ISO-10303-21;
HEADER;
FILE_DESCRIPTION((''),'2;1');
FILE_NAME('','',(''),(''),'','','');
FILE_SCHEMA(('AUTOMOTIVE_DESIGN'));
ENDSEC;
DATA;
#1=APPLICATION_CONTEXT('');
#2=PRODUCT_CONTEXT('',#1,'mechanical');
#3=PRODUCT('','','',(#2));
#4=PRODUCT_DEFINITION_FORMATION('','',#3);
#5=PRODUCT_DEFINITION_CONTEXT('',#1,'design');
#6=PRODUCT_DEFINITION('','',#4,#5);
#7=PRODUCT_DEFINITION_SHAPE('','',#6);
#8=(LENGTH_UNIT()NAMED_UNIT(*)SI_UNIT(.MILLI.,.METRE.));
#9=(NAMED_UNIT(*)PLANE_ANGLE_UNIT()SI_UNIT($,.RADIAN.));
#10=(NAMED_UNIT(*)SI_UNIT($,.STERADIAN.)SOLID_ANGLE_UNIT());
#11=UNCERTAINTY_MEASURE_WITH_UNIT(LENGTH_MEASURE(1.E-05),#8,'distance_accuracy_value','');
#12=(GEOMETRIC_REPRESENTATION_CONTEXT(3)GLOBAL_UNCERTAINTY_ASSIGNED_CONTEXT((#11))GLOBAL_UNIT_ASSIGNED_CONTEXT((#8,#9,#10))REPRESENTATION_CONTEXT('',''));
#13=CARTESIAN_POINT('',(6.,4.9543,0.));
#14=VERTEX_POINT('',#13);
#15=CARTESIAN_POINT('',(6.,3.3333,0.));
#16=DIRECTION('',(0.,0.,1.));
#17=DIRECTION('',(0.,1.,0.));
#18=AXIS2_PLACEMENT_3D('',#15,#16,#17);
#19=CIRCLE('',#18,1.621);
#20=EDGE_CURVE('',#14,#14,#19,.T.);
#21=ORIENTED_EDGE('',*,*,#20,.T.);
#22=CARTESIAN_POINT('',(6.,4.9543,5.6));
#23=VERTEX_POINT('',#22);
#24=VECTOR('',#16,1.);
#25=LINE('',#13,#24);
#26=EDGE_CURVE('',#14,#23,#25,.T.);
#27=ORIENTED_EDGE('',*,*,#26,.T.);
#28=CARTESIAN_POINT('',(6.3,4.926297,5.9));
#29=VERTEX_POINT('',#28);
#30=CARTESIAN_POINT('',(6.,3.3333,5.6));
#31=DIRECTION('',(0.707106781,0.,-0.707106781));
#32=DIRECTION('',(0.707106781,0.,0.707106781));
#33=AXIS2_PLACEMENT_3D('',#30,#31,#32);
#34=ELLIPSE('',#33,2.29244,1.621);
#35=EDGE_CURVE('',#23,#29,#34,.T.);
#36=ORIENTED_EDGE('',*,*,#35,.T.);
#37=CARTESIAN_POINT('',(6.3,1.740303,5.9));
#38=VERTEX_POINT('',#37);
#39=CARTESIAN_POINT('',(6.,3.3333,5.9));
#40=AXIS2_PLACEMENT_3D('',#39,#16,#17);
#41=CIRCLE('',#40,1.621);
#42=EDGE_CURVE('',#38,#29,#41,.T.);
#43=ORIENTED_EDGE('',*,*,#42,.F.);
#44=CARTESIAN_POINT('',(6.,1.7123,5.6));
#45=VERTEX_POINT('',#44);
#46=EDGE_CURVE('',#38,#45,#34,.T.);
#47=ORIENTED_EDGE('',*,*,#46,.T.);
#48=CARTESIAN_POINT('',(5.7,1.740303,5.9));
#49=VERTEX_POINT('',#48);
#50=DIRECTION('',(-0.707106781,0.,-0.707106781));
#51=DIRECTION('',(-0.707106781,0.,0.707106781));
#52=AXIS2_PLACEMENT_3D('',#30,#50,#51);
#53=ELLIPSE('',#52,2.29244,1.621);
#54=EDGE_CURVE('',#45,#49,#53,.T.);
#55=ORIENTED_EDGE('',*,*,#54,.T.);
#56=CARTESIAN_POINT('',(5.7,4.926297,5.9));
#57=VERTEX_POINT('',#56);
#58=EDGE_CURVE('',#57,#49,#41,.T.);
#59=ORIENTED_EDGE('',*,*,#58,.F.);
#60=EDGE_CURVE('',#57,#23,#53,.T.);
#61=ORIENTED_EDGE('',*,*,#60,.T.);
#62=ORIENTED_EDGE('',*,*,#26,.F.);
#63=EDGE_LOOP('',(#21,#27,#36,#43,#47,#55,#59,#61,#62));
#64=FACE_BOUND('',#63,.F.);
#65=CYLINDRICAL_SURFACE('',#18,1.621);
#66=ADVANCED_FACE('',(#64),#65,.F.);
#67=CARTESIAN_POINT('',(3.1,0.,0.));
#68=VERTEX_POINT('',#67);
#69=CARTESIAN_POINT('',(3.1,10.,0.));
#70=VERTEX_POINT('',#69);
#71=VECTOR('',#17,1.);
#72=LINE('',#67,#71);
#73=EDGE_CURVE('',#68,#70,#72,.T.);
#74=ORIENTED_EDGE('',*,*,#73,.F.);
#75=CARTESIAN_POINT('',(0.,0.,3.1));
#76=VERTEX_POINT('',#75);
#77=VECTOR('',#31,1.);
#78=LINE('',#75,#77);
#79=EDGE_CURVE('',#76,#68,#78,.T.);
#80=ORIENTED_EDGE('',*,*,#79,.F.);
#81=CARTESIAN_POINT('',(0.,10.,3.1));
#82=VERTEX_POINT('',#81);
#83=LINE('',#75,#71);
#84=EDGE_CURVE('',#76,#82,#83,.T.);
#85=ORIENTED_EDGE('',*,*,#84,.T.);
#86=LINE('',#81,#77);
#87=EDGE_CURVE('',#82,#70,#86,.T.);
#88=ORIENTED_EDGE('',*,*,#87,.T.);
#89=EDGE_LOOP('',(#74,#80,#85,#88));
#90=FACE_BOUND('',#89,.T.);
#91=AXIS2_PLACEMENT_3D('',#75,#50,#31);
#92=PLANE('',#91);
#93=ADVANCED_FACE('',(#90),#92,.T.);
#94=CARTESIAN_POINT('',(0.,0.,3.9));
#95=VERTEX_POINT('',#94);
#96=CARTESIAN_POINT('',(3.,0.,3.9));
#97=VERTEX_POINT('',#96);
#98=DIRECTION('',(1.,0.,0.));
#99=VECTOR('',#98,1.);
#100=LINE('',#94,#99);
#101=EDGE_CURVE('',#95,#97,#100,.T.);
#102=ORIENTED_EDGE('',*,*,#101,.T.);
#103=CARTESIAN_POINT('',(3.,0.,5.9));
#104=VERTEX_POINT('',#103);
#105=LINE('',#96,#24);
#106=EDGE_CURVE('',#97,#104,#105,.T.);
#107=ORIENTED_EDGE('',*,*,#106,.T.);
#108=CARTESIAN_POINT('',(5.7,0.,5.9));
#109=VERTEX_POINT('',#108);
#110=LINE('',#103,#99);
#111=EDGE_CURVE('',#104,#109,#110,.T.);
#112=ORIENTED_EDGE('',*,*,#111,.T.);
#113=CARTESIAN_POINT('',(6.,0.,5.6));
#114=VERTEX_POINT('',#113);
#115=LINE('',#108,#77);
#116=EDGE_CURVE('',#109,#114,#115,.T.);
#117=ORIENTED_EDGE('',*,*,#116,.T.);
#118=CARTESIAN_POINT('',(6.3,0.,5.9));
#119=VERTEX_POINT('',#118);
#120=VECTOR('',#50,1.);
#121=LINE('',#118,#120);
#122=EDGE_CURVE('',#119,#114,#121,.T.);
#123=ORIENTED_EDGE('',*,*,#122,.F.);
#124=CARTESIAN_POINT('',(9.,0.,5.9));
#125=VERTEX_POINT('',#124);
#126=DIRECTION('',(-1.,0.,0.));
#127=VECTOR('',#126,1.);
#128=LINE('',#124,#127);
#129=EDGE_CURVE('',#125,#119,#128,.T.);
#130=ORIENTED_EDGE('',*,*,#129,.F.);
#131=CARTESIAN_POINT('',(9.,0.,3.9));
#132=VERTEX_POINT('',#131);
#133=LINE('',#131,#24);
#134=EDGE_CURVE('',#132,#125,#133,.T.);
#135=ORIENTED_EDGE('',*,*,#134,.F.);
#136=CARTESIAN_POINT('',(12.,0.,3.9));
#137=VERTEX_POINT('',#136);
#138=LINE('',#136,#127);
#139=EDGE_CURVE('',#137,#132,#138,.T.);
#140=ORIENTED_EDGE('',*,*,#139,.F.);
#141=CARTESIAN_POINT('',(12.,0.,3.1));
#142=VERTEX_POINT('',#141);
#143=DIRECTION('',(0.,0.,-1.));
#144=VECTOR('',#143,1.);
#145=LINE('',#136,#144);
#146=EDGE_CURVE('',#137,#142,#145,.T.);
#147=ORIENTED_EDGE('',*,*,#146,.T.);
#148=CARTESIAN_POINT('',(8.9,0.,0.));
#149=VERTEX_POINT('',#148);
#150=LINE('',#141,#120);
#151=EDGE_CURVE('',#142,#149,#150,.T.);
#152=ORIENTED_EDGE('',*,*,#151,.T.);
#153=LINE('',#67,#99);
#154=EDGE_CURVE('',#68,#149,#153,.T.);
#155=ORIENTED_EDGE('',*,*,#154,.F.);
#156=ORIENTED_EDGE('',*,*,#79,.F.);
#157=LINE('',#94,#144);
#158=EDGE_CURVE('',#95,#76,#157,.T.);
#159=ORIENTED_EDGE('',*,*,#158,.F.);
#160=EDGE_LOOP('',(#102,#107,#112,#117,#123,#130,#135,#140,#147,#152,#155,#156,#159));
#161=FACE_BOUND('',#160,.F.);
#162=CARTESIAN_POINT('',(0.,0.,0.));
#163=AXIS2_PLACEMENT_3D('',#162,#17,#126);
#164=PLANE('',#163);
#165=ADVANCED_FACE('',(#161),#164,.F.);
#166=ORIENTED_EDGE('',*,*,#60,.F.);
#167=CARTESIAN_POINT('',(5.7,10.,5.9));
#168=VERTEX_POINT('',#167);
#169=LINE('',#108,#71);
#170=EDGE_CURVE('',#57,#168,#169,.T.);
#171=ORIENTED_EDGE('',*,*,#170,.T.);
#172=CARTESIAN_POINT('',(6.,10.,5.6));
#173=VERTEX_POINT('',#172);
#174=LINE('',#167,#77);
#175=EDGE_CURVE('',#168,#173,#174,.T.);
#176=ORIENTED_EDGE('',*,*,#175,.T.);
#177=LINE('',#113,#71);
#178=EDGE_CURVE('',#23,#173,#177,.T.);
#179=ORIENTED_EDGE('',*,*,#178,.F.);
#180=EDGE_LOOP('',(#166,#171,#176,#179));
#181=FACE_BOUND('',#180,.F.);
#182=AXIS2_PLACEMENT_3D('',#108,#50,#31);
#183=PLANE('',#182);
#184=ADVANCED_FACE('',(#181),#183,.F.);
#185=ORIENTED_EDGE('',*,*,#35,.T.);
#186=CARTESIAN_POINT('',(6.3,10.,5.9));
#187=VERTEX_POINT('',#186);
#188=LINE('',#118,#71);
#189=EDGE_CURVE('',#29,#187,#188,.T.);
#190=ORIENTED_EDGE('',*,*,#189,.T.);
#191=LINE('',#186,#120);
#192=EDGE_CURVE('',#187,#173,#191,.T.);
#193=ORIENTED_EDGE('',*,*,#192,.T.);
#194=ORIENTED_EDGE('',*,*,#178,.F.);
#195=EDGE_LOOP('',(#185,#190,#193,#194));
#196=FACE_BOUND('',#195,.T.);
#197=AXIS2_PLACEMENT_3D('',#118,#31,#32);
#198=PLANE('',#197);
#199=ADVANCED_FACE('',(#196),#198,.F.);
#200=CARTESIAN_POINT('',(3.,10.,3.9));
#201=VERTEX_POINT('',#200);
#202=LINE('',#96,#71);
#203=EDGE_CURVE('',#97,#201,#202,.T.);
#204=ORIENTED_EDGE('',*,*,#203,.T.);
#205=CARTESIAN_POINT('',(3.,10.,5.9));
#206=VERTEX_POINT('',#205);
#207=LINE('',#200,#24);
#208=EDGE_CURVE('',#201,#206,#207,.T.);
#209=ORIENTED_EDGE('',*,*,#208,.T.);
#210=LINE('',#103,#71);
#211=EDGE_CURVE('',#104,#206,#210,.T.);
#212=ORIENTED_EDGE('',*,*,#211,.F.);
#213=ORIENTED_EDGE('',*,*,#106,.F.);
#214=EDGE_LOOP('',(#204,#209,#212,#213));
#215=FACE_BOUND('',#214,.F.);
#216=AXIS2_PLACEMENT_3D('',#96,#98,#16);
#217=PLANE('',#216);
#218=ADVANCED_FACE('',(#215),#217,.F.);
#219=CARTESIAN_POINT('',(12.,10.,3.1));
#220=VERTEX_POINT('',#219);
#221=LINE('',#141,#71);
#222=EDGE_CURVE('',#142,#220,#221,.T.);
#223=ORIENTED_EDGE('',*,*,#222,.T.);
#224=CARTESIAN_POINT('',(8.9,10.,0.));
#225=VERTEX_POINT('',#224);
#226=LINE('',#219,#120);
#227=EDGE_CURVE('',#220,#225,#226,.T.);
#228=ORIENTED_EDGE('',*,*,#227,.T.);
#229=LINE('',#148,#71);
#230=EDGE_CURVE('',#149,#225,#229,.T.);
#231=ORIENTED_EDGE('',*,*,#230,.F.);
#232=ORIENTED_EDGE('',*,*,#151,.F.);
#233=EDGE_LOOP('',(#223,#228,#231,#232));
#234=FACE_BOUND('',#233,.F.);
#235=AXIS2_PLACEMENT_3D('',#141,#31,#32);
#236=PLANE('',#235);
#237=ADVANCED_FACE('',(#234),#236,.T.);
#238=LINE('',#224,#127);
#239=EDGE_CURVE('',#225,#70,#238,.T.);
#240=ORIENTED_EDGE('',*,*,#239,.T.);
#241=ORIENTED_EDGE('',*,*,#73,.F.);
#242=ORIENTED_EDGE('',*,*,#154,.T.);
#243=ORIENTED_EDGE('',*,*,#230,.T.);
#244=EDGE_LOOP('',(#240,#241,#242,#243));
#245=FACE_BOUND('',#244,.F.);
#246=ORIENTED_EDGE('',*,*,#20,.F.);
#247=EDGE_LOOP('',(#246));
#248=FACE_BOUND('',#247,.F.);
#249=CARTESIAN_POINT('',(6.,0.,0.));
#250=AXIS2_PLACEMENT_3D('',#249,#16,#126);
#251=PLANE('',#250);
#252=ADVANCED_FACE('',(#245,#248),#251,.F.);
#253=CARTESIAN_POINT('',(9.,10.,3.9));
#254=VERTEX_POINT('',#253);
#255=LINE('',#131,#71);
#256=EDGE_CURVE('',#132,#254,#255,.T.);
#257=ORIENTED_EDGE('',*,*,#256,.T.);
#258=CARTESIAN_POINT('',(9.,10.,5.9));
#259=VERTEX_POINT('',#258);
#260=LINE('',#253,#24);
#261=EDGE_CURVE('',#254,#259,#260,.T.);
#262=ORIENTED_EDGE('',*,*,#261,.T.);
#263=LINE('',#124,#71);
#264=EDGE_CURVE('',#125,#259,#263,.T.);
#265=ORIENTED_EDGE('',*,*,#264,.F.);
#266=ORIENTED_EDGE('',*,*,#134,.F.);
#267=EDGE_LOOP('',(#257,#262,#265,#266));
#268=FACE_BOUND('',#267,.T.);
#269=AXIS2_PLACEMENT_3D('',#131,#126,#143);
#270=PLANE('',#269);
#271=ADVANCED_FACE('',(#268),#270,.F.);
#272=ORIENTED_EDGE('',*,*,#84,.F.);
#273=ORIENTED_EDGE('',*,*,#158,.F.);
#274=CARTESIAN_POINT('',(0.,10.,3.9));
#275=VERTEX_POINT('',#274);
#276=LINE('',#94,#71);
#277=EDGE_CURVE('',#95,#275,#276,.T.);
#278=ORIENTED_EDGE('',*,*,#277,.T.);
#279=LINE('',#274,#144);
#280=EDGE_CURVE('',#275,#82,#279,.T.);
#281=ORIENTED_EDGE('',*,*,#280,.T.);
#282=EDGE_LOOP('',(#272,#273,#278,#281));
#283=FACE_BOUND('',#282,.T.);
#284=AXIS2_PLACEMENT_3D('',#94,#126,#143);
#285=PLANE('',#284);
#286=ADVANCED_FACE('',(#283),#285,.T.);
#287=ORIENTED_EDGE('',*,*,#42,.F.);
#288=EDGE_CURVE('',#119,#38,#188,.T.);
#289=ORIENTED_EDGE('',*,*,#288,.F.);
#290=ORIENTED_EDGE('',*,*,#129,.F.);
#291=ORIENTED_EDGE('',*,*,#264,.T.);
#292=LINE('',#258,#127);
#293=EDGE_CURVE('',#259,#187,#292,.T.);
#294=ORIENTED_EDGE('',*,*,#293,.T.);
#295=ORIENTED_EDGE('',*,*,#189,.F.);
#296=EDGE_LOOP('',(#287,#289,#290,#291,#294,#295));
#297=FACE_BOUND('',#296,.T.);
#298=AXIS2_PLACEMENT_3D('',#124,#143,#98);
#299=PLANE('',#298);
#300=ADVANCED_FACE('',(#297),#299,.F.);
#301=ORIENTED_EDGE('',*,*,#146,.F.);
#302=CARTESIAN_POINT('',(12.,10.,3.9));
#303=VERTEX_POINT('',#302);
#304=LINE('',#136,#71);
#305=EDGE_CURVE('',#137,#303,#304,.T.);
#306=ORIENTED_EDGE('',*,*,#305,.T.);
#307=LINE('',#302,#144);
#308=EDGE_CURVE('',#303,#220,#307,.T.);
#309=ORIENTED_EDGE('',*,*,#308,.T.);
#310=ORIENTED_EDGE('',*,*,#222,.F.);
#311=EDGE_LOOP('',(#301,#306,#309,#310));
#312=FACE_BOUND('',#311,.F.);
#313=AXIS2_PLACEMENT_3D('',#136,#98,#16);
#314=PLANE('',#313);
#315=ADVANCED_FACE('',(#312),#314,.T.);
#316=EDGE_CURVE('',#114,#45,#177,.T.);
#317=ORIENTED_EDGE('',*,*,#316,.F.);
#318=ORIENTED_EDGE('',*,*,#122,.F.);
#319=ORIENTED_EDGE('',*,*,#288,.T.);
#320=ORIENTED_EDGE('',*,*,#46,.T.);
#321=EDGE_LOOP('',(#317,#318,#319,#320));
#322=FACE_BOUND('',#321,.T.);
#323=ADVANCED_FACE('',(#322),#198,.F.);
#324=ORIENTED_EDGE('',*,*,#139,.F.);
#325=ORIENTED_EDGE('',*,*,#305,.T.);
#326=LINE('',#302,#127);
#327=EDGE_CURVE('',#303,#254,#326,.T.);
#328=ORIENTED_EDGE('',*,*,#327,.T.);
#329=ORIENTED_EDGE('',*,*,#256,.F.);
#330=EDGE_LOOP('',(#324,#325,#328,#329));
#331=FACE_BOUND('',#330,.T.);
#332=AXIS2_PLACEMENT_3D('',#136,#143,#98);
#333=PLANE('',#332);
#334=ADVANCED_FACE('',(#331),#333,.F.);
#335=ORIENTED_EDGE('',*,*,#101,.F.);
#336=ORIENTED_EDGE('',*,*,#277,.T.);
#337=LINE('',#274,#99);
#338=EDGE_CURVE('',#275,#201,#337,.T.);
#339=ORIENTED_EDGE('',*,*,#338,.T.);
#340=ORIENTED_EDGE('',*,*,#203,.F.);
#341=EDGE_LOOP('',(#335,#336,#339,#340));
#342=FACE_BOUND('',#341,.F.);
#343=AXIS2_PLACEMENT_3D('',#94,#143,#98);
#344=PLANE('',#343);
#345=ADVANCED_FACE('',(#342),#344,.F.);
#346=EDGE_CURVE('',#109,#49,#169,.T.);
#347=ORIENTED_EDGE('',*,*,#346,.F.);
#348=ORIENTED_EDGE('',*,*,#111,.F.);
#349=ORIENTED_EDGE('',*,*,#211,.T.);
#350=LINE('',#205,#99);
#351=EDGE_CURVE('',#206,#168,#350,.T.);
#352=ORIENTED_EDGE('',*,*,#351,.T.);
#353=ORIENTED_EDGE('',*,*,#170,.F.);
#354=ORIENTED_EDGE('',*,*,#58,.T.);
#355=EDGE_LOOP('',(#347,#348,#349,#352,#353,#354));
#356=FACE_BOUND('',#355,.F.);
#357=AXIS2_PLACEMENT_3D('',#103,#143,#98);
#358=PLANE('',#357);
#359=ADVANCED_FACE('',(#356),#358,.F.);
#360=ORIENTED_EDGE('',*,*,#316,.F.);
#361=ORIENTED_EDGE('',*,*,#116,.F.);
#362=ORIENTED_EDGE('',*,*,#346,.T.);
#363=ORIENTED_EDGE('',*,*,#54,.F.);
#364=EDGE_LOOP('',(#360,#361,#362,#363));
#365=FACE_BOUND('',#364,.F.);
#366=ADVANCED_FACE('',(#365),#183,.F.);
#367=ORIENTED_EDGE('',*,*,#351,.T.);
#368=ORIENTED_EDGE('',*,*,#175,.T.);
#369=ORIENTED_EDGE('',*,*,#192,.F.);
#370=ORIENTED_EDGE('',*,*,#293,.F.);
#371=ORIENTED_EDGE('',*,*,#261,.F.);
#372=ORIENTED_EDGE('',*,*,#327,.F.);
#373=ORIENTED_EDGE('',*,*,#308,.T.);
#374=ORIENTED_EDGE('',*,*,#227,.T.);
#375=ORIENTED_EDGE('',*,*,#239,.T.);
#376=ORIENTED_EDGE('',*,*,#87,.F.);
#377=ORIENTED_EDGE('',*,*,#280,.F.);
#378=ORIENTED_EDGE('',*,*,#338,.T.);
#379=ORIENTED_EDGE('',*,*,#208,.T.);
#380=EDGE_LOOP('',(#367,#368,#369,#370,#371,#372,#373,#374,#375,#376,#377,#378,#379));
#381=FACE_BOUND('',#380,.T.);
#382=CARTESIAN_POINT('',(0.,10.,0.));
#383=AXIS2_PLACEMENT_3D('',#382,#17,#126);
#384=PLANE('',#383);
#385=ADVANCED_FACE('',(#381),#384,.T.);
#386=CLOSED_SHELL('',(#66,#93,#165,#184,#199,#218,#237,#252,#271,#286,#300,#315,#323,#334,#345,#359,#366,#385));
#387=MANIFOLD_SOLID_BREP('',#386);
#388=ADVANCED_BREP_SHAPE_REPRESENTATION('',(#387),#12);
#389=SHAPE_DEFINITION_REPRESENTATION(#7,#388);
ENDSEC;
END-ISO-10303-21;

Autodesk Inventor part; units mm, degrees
ref_plane "YZ Plane" through (0, 0, 0) normal (1, 0, 0) x (0, 1, 0)
ref_plane "XZ Plane" through (0, 0, 0) normal (0, 1, 0) x (-1, 0, 0)
ref_plane "XY Plane" through (0, 0, 0) normal (0, 0, 1) x (1, 0, 0)
sketch "Skizze3" plane through (0, 0, 0) normal (0, 1, 0) x (-1, 0, 0)
  line L0 (0, 3.9) -> (-3, 3.9)
  line L1 (-3, 3.9) -> (-3, 5.9)
  line L2 (0, 3.9) -> (0, 3.1)
  line L3 (0, 3.1) -> (-3.1, 0)
  line L4 (-3, 5.9) -> (-5.7, 5.9)
  line L5 (-5.7, 5.9) -> (-6, 5.6)
  line L6 (-6, 5.6) -> (-6, 0)
  line L7 (-6, 0) -> (-3.1, 0)
  point P0 (0, 0)
  dimension "d6" = 3
  dimension "d7" = 6
  dimension "d8" = 3.1
  dimension "d9" = 5.9
  dimension "d10" = 135
  dimension "d11" = 0.3
  dimension "d12" = 2
  dimension "d13" = 135
extrude "Extrusion3" add sketch "Skizze3" along normal blind 10
mirror "Spiegeln1" about plane through (6, 0, 5.6) normal (1, 0, 0) of "Extrusion3"
sketch "Skizze4" plane through (3.1, 0, 0) normal (0, 0, -1) x (-1, 0, 0)
  line L0 (0, 0) -> (0, 10) projected
  line L1 (-5.8, 0) -> (-5.8, 10) projected
  line L2 (-2.9, 0) -> (-2.9, 10) projected
  line L3 (0, 10) -> (-5.8, 10) projected
  line L4 (0, 0) -> (-5.8, 0) projected
  point P0 (3.1, 0)
  point P1 (-2.9, 3.3333)
  dimension "d23" = 10
  dimension "d24" = 3.3333
hole "Bohrung1" at (6, 3.3333, 0) direction (0, 0, 1) diameter 3.242 end through all thread size "M4x0.7" class "6H" standard "ISO Metric profile"
equation "\"d24\" = 0.333333 * d23"
properties part number "BTwnikel2_trajan20_21"
